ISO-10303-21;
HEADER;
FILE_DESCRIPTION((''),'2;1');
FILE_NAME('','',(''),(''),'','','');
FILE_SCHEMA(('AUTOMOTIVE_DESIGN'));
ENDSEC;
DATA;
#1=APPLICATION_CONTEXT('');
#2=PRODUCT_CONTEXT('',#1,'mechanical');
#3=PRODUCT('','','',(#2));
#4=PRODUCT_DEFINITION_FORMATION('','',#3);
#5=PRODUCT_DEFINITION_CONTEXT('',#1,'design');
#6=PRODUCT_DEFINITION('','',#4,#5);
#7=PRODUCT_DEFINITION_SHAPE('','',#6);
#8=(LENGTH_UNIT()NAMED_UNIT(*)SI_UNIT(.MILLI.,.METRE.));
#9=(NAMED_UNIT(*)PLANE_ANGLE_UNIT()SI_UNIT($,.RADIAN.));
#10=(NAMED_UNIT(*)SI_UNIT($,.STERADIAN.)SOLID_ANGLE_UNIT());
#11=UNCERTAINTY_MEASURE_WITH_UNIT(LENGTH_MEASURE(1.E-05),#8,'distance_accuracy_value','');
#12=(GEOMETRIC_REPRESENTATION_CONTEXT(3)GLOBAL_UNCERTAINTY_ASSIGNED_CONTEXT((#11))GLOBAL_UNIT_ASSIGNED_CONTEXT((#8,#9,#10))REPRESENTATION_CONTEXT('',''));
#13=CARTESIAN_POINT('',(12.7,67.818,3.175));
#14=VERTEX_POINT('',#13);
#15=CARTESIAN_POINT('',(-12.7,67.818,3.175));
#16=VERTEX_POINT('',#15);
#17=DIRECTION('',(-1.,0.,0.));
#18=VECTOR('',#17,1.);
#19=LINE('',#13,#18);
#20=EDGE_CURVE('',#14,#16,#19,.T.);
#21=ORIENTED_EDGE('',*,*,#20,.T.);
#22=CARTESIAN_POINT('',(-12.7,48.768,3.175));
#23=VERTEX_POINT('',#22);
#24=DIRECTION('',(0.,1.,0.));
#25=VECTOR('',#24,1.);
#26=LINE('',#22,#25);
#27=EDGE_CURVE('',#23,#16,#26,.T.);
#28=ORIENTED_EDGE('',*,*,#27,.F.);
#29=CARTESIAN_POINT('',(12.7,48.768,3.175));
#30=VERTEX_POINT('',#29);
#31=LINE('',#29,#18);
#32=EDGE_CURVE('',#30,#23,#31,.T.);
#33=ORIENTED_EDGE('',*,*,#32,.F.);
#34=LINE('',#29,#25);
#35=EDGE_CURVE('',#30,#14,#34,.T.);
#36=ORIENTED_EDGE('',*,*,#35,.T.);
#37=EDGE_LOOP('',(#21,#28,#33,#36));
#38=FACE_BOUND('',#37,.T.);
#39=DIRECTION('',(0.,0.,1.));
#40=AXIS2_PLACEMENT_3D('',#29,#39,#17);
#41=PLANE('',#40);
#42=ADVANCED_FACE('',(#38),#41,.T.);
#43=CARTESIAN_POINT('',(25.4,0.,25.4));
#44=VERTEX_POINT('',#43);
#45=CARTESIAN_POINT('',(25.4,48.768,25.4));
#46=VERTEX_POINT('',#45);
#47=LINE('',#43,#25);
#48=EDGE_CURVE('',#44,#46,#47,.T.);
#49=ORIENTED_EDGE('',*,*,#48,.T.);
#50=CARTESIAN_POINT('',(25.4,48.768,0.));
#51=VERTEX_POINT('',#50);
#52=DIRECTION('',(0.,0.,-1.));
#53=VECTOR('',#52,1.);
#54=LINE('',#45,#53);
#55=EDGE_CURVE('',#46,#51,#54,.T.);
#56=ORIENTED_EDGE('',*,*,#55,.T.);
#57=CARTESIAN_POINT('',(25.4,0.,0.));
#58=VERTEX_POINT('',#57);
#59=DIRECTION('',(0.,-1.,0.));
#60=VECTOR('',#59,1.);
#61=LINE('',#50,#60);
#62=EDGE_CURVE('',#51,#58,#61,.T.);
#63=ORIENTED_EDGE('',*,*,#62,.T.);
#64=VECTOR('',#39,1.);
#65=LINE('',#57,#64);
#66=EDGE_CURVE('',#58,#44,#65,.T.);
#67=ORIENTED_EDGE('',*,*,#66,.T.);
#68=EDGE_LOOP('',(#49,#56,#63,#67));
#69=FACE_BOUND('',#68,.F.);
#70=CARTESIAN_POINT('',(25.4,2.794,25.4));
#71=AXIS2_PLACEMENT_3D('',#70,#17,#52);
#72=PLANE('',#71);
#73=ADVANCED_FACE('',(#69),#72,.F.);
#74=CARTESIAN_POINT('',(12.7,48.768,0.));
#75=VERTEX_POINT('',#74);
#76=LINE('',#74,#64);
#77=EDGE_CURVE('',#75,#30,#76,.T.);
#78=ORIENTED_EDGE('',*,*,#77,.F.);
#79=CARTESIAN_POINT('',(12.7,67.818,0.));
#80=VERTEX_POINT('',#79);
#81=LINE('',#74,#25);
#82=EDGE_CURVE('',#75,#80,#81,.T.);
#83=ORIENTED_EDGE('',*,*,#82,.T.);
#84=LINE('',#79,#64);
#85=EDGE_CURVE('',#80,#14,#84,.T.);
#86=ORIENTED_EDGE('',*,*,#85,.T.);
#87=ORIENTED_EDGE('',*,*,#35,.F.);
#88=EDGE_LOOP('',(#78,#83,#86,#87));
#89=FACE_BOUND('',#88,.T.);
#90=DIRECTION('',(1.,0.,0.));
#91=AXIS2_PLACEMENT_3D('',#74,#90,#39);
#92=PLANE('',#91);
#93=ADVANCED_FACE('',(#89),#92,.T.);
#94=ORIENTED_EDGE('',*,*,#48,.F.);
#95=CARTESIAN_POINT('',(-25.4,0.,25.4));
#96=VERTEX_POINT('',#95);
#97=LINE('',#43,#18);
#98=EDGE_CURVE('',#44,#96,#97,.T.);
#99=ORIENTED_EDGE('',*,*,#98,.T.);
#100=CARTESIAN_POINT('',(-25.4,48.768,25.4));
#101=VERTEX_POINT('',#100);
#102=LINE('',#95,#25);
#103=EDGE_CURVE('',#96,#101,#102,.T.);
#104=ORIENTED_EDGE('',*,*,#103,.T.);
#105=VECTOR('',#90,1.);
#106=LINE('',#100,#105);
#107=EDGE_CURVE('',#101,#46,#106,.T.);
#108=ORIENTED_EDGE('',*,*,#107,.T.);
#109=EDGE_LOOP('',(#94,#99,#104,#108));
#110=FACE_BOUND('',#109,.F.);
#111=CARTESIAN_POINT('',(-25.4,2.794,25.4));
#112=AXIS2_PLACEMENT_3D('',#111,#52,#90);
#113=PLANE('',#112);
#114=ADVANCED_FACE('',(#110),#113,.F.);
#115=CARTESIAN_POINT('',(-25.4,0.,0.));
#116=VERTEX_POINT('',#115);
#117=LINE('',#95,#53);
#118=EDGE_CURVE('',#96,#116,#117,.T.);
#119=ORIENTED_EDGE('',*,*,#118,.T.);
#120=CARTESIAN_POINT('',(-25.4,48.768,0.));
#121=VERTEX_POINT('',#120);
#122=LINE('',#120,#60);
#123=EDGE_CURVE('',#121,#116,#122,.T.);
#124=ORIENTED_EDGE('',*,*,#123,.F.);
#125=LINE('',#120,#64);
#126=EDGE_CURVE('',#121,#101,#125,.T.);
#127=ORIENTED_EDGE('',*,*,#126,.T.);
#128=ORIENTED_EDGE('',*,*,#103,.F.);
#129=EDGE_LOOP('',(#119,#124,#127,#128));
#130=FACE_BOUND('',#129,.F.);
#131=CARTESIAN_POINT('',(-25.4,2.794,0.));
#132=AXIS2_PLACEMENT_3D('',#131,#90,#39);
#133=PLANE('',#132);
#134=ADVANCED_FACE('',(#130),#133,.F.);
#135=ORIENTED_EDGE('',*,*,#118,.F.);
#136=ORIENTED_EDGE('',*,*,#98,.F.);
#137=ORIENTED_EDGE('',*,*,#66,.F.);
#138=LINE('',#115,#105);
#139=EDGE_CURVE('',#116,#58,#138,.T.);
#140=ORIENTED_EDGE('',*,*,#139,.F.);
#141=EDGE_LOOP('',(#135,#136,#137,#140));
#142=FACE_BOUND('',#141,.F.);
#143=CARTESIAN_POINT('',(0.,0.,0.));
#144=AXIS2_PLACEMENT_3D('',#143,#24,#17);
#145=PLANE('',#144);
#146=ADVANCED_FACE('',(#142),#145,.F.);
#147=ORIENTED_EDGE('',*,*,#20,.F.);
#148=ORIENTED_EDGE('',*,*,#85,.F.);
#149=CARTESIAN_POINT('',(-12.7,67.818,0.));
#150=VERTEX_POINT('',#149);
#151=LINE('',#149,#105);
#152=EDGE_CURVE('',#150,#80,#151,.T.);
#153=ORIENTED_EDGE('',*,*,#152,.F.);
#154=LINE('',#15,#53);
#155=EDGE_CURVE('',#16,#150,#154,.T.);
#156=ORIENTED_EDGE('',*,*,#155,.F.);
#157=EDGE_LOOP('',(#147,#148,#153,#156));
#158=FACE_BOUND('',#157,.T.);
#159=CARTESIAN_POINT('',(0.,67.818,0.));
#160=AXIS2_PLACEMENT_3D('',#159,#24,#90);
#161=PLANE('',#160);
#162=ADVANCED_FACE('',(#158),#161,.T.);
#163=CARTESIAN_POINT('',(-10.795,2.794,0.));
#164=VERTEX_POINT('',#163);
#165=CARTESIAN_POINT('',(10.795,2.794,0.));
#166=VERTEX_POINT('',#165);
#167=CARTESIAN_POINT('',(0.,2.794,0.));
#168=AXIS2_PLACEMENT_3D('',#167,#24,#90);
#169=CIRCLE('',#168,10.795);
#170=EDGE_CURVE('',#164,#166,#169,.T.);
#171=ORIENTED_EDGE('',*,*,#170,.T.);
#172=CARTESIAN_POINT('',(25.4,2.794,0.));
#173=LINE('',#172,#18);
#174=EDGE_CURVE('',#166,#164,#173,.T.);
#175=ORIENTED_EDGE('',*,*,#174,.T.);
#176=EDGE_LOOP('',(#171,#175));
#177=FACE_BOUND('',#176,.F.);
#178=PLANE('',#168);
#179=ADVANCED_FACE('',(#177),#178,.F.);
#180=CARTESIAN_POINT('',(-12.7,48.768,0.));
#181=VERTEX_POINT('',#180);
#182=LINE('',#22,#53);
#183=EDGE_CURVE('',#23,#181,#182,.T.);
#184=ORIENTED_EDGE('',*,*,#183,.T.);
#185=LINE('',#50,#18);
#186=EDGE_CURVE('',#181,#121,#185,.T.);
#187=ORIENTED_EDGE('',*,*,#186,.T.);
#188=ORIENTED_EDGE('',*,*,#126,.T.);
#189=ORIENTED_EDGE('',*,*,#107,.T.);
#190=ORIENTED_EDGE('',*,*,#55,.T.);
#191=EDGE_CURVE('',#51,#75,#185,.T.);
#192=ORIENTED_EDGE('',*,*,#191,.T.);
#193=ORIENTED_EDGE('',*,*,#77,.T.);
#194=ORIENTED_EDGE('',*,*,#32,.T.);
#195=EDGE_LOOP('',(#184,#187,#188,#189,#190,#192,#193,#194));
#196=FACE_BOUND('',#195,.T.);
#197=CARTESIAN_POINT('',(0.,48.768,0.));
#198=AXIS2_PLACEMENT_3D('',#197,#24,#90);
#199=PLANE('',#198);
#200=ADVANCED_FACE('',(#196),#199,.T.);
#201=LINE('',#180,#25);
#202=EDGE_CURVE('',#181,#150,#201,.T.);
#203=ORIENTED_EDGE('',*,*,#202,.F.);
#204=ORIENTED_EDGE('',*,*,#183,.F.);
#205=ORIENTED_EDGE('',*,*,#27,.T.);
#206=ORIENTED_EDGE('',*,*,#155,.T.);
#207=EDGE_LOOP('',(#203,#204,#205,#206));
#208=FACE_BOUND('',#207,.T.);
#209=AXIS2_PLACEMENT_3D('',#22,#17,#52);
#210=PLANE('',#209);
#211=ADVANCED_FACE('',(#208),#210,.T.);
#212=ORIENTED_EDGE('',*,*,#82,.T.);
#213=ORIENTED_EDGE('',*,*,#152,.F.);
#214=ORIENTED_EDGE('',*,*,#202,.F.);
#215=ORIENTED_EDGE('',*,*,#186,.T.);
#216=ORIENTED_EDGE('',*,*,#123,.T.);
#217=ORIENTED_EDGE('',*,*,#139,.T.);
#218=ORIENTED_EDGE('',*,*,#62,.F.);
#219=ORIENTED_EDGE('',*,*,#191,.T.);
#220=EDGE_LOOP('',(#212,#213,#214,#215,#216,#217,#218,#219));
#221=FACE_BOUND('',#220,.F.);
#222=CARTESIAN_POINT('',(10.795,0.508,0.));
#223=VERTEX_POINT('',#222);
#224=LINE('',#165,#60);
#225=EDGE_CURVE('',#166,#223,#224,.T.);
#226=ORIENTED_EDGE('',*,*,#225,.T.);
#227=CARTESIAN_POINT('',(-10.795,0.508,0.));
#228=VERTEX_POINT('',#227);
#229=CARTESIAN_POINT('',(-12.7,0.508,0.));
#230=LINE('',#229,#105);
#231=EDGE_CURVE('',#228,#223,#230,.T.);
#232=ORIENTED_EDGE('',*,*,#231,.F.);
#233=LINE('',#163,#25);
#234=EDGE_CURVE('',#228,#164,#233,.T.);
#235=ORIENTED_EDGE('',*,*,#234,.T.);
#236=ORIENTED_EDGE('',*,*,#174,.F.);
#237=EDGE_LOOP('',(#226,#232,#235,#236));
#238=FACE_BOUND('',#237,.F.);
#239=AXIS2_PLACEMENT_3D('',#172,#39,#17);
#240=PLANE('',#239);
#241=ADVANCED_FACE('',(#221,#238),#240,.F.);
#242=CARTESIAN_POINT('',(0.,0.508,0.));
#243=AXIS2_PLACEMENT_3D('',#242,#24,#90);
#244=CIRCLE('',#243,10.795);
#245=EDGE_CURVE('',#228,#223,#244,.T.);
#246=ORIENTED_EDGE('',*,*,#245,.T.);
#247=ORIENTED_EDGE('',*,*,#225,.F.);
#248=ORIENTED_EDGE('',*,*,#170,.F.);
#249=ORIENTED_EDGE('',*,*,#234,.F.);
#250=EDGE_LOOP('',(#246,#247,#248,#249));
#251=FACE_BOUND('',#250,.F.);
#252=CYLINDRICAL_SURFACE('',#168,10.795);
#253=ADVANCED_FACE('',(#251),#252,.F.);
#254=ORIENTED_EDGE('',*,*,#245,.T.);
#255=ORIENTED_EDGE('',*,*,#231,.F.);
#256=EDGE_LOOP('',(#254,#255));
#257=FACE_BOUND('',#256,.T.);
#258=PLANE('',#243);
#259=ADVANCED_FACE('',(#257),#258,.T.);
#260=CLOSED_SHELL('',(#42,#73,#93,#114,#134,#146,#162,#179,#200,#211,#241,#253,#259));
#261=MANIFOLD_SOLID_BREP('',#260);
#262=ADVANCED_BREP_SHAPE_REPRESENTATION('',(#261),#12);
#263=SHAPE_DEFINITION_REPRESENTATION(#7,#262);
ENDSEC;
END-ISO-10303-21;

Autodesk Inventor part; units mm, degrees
ref_plane "YZ Plane" through (0, 0, 0) normal (1, 0, 0) x (0, 1, 0)
ref_plane "XZ Plane" through (0, 0, 0) normal (0, 1, 0) x (-1, 0, 0)
ref_plane "XY Plane" through (0, 0, 0) normal (0, 0, 1) x (1, 0, 0)
sketch "Sketch1" plane through (0, 0, 0) normal (0, 1, 0) x (-1, 0, 0)
  line L0 (25.4, 0) -> (-25.4, 0)
  line L1 (-25.4, 0) -> (-25.4, 25.4)
  line L2 (-25.4, 25.4) -> (25.4, 25.4)
  line L3 (25.4, 25.4) -> (25.4, 0)
  point P0 (0, 0)
  dimension "d0" = 50.8
  dimension "d1" = 25.4
extrude "Extrusion1" add sketch "Sketch1" along normal blind 2.794
sketch "Sketch2" plane through (0, 2.794, 0) normal (0, 1, 0) x (1, 0, 0)
  circle A0 centre (0, 0) radius 10.795
  dimension "d4" = 21.59
extrude "Extrusion2" cut sketch "Sketch2" against normal blind 2.286
sketch "Sketch3" plane through (0, 2.794, 0) normal (0, 1, 0) x (1, 0, 0)
  line L0 (-25.4, -25.4) -> (25.4, -25.4) projected
  line L1 (-25.4, -25.4) -> (25.4, -25.4)
  line L2 (25.4, -25.4) -> (25.4, 0)
  line L3 (25.4, 0) -> (-25.4, 0)
  line L4 (-25.4, 0) -> (-25.4, -25.4)
  point P0 (0, 0)
extrude "Extrusion3" add sketch "Sketch3" along normal blind 45.974
sketch "Sketch4" plane through (0, 48.768, 0) normal (0, 1, 0) x (1, 0, 0)
  line L0 (12.7, -3.175) -> (-12.7, -3.175)
  line L1 (-12.7, -3.175) -> (-12.7, 0)
  line L2 (-12.7, 0) -> (12.7, 0)
  line L3 (12.7, 0) -> (12.7, -3.175)
  point P0 (0, 0)
  dimension "d9" = 25.4
  dimension "d10" = 3.175
extrude "Extrusion4" add sketch "Sketch4" along normal blind 19.05
properties part number "half a block for magnet"
